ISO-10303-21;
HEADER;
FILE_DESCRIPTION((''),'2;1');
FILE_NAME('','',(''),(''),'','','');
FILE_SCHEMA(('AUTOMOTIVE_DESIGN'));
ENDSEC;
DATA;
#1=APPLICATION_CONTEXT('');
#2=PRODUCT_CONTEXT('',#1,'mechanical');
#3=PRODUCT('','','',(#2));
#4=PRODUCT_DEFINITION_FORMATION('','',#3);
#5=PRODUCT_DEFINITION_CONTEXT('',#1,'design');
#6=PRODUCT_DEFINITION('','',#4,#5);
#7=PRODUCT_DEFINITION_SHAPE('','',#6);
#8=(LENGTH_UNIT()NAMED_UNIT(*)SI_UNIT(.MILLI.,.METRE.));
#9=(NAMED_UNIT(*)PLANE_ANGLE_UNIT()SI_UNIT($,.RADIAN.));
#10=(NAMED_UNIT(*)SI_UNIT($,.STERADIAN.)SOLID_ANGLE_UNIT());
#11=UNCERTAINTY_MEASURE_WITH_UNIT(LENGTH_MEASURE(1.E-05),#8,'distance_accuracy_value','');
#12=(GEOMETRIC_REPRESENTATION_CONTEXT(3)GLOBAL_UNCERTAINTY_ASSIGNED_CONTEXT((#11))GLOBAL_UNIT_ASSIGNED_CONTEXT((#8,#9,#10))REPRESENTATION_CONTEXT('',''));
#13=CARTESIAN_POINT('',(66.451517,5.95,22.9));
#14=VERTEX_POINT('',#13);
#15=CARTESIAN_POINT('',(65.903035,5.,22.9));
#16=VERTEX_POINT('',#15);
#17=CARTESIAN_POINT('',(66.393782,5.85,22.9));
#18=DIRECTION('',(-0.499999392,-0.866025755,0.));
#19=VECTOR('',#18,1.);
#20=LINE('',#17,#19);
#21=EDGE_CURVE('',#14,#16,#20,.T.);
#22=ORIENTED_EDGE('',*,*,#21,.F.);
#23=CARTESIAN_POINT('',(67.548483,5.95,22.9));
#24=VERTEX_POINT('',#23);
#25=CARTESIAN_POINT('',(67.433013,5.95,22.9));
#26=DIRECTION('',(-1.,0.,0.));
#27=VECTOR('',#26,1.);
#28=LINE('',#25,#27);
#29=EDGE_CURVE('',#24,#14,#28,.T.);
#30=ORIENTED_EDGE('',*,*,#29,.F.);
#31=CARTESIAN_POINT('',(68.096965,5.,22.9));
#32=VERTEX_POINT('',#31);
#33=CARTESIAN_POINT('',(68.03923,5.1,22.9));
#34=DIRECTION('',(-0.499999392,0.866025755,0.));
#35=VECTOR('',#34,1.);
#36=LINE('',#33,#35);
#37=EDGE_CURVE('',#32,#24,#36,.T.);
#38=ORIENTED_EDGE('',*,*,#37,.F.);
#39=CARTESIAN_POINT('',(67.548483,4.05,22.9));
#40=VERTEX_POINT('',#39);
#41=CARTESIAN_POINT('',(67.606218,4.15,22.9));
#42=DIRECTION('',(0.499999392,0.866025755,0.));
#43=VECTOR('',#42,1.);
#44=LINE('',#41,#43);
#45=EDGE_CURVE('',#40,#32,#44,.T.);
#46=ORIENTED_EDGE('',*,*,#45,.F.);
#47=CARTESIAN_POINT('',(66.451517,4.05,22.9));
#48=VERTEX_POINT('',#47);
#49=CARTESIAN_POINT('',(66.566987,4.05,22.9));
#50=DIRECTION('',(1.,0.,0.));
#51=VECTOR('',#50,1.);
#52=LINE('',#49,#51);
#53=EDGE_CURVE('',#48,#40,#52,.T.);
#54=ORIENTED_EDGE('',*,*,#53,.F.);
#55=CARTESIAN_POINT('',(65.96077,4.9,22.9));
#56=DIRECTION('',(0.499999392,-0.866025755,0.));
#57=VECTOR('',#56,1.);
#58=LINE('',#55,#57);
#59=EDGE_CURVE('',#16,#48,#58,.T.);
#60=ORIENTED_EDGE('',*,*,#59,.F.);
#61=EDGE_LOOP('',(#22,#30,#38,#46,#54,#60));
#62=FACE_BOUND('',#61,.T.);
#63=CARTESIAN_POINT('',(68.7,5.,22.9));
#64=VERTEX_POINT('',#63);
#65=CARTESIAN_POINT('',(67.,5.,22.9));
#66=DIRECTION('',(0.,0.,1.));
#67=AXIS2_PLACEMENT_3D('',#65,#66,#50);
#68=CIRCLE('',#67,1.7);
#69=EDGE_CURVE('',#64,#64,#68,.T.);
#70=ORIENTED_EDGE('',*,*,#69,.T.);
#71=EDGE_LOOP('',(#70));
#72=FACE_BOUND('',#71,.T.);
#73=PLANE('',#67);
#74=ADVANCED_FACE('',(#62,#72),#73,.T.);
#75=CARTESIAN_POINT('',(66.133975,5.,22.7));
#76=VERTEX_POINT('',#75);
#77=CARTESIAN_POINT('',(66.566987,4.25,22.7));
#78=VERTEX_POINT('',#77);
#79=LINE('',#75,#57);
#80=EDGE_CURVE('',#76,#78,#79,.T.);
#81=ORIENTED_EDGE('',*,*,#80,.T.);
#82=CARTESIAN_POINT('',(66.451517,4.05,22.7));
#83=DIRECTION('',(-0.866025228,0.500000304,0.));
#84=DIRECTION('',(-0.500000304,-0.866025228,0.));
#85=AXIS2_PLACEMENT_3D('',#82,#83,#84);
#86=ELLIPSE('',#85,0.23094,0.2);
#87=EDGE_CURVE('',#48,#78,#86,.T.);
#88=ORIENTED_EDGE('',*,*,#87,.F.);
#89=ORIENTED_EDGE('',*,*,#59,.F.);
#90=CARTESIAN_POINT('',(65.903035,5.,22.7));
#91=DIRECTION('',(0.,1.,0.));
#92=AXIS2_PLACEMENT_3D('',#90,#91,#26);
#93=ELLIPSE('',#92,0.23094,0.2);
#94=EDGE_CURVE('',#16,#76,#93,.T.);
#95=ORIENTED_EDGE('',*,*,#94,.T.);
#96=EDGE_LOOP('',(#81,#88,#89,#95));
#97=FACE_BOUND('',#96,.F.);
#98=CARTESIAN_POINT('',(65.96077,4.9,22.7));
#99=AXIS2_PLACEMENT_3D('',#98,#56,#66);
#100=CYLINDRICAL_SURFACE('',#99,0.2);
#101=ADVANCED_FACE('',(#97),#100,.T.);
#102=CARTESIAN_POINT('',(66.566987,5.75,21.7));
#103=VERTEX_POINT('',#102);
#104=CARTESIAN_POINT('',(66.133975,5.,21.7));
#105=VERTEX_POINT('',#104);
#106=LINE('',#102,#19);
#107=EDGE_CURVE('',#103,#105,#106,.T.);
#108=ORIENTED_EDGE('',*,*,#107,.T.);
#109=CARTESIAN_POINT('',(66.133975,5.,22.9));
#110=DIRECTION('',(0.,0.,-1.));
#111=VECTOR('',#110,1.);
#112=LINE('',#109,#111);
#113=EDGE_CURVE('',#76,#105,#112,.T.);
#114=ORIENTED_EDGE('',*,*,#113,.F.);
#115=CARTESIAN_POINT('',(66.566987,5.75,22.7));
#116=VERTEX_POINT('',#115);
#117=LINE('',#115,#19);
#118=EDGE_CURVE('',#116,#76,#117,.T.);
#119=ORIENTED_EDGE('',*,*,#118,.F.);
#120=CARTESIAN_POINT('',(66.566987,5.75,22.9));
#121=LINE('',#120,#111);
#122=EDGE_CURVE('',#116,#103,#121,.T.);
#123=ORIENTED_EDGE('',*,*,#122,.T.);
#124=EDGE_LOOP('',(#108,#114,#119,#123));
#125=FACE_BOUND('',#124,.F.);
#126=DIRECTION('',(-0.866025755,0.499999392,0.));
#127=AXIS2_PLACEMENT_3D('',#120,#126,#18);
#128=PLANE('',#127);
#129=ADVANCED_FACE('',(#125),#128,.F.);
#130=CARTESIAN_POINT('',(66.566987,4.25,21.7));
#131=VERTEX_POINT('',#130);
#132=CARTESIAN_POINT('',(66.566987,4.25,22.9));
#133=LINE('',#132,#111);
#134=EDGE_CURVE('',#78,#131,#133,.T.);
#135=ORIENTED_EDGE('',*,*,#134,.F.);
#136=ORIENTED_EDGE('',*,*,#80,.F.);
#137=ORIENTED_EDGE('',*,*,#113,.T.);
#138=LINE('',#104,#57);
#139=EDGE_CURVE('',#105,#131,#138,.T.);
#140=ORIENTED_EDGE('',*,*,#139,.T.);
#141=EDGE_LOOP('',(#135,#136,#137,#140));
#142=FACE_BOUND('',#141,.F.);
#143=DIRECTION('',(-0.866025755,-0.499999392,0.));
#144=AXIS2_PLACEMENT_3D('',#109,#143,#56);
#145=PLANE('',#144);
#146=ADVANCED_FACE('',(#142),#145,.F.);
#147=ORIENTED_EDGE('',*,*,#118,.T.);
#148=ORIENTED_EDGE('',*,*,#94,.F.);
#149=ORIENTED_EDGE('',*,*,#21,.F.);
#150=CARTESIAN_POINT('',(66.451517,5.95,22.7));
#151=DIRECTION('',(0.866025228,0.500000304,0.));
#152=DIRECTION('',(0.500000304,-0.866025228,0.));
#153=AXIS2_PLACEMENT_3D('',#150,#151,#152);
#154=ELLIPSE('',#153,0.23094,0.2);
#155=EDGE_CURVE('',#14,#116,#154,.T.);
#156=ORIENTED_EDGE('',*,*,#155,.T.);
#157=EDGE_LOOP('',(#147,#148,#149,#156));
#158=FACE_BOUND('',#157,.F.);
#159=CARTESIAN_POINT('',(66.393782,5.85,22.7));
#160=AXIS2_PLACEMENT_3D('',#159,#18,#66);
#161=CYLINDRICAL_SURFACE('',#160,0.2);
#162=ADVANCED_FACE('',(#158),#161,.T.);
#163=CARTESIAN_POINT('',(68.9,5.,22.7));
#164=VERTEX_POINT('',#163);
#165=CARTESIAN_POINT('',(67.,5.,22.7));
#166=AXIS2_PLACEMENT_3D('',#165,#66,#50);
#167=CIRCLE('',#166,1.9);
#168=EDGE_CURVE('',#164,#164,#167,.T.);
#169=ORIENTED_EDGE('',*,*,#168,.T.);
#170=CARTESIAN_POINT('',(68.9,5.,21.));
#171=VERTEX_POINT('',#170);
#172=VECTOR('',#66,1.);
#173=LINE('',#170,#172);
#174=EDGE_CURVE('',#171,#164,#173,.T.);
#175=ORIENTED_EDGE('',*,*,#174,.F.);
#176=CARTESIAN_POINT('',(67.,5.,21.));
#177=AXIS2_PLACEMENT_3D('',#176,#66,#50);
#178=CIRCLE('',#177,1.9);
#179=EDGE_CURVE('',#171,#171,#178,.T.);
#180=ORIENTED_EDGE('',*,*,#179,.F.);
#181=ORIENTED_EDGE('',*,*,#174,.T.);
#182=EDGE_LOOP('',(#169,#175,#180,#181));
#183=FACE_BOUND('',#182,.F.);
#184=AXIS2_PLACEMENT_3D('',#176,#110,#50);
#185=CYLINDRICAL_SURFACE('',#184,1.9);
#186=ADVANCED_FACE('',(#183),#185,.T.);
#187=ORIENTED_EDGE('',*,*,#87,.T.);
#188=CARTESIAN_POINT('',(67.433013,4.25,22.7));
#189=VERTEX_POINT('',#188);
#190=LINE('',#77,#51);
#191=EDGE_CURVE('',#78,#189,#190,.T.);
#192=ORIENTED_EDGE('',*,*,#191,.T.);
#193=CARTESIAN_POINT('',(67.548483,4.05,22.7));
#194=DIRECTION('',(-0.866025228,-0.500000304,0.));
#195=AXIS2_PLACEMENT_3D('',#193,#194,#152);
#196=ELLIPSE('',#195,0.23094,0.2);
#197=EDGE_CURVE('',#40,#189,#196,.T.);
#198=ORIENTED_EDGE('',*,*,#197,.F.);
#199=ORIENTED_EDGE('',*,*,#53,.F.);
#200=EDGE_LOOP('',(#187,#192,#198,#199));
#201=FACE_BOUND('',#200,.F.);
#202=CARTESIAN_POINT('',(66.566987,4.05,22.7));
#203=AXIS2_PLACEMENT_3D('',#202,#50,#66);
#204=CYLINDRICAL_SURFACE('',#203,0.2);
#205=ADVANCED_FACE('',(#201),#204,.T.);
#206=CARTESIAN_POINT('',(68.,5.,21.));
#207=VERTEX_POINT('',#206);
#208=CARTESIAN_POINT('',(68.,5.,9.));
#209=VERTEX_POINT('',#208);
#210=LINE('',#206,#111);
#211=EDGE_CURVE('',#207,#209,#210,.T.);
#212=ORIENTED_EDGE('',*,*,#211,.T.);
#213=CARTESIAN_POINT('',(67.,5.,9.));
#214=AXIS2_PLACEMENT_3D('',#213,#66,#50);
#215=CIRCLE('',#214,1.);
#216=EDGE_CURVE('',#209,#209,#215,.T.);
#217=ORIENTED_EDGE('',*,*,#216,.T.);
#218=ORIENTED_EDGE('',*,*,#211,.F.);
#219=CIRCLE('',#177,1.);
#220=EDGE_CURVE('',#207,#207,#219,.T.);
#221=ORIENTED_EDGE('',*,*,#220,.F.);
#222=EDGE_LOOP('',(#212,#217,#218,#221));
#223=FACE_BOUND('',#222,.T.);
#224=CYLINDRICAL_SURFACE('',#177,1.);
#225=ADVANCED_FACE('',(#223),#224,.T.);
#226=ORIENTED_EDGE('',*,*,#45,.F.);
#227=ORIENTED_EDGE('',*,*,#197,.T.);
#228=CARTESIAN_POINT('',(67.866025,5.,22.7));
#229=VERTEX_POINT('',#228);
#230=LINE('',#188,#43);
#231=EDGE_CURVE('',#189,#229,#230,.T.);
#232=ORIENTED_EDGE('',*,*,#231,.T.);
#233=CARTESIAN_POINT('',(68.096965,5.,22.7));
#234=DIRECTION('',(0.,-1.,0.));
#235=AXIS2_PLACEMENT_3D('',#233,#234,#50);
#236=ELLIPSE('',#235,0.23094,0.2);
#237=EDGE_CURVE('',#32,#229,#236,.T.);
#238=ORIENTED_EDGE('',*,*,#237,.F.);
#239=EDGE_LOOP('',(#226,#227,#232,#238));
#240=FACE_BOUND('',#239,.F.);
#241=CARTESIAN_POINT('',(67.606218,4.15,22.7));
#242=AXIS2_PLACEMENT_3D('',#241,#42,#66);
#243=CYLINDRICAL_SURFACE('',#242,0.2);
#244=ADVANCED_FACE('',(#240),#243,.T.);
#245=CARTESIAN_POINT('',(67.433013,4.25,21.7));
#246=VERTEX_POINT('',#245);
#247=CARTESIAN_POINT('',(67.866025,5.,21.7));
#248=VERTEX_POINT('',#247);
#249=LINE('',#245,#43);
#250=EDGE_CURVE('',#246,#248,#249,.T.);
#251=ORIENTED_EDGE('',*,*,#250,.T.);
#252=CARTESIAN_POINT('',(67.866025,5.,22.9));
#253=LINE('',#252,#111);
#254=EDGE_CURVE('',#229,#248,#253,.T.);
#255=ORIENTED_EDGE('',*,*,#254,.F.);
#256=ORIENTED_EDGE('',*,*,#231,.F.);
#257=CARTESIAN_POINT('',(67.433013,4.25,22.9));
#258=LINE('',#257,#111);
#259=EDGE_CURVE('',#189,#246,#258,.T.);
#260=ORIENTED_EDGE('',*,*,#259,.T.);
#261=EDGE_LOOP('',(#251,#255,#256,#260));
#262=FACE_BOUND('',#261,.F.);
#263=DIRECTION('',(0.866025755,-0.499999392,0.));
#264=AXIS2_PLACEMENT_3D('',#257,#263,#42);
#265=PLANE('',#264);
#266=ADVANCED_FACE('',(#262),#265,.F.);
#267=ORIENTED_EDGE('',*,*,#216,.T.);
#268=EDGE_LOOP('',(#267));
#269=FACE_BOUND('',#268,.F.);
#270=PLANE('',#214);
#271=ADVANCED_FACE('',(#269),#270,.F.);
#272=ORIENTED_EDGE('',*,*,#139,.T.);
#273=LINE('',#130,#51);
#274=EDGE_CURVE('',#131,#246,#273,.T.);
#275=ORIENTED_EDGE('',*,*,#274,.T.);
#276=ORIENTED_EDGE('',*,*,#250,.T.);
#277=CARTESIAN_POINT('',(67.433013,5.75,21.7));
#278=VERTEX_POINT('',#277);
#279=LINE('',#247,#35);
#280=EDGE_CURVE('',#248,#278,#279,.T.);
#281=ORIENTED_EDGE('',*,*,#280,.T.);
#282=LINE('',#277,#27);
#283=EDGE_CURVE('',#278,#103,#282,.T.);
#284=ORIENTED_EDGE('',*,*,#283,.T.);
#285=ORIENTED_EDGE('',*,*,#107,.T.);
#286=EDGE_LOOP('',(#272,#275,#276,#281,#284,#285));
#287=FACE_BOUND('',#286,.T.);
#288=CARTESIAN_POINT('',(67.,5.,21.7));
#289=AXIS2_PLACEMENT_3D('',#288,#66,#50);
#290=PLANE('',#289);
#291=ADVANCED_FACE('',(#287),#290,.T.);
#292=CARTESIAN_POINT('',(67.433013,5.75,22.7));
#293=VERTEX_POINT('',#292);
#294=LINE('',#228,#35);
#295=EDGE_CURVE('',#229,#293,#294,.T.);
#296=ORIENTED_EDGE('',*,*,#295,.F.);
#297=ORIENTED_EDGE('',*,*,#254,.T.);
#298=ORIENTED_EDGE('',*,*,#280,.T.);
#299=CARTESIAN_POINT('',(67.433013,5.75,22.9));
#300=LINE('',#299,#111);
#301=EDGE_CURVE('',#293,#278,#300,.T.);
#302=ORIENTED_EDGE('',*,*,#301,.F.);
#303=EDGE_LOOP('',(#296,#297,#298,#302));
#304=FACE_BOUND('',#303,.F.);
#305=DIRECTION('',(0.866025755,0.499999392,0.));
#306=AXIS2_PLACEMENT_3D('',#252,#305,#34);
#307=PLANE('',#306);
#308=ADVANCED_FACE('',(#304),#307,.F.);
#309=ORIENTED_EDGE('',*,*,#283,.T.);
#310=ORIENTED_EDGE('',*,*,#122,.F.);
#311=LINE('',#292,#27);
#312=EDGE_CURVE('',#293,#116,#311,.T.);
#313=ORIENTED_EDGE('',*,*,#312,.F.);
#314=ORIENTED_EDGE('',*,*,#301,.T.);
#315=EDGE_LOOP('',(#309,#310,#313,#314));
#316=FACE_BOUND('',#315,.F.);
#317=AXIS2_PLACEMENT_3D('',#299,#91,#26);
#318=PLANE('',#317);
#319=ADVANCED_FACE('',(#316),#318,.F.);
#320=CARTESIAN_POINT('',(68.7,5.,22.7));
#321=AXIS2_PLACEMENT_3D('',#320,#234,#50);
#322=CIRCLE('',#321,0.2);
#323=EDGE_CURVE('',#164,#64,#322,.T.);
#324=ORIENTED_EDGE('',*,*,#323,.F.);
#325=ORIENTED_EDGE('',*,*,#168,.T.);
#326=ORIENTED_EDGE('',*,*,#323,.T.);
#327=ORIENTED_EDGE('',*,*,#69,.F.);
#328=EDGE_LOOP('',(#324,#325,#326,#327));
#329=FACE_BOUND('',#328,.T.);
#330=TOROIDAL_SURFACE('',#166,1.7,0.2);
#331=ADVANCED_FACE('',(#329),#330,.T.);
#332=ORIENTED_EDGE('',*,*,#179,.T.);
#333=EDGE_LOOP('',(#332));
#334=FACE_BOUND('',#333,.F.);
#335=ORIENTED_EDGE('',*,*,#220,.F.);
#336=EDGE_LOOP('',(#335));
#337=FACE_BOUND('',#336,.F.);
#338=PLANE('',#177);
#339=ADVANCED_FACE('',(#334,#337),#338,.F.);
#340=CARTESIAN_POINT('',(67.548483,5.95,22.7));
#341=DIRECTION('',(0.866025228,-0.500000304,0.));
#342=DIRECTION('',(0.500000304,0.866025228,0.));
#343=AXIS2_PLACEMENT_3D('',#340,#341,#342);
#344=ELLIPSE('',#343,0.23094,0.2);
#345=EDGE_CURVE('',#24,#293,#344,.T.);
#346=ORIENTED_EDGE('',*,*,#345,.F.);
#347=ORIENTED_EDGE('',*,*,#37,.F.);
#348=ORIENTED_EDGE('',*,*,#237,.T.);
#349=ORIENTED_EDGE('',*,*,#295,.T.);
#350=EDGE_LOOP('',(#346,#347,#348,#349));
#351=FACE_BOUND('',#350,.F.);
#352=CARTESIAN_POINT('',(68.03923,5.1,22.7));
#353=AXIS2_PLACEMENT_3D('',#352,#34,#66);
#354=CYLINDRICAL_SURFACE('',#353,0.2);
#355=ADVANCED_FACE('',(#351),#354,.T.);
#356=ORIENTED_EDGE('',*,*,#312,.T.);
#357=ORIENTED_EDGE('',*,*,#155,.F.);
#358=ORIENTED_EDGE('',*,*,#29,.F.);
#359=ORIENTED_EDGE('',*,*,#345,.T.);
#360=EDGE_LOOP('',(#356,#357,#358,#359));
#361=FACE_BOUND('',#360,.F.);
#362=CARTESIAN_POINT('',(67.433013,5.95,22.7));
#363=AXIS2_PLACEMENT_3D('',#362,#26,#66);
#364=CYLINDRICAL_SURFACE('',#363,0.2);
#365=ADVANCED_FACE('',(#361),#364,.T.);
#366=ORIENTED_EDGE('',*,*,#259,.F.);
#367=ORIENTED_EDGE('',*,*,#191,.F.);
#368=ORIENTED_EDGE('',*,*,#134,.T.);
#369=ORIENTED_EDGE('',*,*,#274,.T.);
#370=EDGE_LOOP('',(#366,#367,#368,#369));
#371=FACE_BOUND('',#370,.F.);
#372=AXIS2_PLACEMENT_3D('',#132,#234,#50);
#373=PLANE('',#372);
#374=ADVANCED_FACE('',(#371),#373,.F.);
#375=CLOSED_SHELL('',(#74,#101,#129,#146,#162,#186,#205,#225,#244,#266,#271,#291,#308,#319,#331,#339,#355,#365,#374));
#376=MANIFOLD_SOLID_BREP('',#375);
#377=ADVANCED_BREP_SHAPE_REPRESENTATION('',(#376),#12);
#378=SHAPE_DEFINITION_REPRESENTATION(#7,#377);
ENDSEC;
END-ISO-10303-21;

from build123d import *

# Parameters (mm, degrees)
SKETCH042_R              = 1.9
PAD007_DEPTH             = 1.9
POCKET024_DEPTH          = 1.2
SKETCH044_R              = 1
PAD008_DEPTH             = 12
FILLET005_R              = 0.2
BODY008_PLACEMENT_ANGLE  = 90
CLONE003_PLACEMENT_ANGLE = 90


with BuildPart() as part:
    # Sketch042 → Pad007 (new body)
    with BuildSketch(Plane.XY):
        Circle(SKETCH042_R)
    extrude(amount=PAD007_DEPTH)

    # Sketch043 (on Face3 of Pad007) → Pocket024 (cut)
    with BuildSketch(Plane.XY.offset(1.9)):
        Polygon((0.866025, 0), (0.433013, 0.75), (-0.433013, 0.75), (-0.866025, 0), (-0.433013, -0.75), (0.433013, -0.75), align=None)
    extrude(amount=-POCKET024_DEPTH, mode=Mode.SUBTRACT)

    # Sketch044 → Pad008 (join)
    with BuildSketch(Plane.XY):
        Circle(SKETCH044_R)
    extrude(amount=-PAD008_DEPTH)

    # Fillet005
    fillet005_edges = [part.edges().sort_by_distance(p)[0] for p in [
        (-1.9, 0, 1.9),
        (-0.649519, 0.375, 1.9),
        (-0.649519, -0.375, 1.9),
        (0, -0.75, 1.9),
        (0.649519, -0.375, 1.9),
        (0.649519, 0.375, 1.9),
        (0, 0.75, 1.9),
    ]]
    fillet(fillet005_edges, radius=FILLET005_R)


with BuildPart() as part_1:
    # Body008 placement: moved
    add(part.part.moved(Location((40, -5, 15))).rotate(Axis((40, -5, 15), (1, 0, 0)), BODY008_PLACEMENT_ANGLE))


with BuildPart() as part_2:
    # Clone003 placement: moved
    add(part_1.part.moved(Location((-40, -15, -5))).rotate(Axis((-40, -15, -5), (-1, 0, 0)), CLONE003_PLACEMENT_ANGLE))


with BuildPart() as part_3:
    # Body010 placement: moved
    add(part_2.part.moved(Location((67, 5, 21))))


solid = part_3.part
